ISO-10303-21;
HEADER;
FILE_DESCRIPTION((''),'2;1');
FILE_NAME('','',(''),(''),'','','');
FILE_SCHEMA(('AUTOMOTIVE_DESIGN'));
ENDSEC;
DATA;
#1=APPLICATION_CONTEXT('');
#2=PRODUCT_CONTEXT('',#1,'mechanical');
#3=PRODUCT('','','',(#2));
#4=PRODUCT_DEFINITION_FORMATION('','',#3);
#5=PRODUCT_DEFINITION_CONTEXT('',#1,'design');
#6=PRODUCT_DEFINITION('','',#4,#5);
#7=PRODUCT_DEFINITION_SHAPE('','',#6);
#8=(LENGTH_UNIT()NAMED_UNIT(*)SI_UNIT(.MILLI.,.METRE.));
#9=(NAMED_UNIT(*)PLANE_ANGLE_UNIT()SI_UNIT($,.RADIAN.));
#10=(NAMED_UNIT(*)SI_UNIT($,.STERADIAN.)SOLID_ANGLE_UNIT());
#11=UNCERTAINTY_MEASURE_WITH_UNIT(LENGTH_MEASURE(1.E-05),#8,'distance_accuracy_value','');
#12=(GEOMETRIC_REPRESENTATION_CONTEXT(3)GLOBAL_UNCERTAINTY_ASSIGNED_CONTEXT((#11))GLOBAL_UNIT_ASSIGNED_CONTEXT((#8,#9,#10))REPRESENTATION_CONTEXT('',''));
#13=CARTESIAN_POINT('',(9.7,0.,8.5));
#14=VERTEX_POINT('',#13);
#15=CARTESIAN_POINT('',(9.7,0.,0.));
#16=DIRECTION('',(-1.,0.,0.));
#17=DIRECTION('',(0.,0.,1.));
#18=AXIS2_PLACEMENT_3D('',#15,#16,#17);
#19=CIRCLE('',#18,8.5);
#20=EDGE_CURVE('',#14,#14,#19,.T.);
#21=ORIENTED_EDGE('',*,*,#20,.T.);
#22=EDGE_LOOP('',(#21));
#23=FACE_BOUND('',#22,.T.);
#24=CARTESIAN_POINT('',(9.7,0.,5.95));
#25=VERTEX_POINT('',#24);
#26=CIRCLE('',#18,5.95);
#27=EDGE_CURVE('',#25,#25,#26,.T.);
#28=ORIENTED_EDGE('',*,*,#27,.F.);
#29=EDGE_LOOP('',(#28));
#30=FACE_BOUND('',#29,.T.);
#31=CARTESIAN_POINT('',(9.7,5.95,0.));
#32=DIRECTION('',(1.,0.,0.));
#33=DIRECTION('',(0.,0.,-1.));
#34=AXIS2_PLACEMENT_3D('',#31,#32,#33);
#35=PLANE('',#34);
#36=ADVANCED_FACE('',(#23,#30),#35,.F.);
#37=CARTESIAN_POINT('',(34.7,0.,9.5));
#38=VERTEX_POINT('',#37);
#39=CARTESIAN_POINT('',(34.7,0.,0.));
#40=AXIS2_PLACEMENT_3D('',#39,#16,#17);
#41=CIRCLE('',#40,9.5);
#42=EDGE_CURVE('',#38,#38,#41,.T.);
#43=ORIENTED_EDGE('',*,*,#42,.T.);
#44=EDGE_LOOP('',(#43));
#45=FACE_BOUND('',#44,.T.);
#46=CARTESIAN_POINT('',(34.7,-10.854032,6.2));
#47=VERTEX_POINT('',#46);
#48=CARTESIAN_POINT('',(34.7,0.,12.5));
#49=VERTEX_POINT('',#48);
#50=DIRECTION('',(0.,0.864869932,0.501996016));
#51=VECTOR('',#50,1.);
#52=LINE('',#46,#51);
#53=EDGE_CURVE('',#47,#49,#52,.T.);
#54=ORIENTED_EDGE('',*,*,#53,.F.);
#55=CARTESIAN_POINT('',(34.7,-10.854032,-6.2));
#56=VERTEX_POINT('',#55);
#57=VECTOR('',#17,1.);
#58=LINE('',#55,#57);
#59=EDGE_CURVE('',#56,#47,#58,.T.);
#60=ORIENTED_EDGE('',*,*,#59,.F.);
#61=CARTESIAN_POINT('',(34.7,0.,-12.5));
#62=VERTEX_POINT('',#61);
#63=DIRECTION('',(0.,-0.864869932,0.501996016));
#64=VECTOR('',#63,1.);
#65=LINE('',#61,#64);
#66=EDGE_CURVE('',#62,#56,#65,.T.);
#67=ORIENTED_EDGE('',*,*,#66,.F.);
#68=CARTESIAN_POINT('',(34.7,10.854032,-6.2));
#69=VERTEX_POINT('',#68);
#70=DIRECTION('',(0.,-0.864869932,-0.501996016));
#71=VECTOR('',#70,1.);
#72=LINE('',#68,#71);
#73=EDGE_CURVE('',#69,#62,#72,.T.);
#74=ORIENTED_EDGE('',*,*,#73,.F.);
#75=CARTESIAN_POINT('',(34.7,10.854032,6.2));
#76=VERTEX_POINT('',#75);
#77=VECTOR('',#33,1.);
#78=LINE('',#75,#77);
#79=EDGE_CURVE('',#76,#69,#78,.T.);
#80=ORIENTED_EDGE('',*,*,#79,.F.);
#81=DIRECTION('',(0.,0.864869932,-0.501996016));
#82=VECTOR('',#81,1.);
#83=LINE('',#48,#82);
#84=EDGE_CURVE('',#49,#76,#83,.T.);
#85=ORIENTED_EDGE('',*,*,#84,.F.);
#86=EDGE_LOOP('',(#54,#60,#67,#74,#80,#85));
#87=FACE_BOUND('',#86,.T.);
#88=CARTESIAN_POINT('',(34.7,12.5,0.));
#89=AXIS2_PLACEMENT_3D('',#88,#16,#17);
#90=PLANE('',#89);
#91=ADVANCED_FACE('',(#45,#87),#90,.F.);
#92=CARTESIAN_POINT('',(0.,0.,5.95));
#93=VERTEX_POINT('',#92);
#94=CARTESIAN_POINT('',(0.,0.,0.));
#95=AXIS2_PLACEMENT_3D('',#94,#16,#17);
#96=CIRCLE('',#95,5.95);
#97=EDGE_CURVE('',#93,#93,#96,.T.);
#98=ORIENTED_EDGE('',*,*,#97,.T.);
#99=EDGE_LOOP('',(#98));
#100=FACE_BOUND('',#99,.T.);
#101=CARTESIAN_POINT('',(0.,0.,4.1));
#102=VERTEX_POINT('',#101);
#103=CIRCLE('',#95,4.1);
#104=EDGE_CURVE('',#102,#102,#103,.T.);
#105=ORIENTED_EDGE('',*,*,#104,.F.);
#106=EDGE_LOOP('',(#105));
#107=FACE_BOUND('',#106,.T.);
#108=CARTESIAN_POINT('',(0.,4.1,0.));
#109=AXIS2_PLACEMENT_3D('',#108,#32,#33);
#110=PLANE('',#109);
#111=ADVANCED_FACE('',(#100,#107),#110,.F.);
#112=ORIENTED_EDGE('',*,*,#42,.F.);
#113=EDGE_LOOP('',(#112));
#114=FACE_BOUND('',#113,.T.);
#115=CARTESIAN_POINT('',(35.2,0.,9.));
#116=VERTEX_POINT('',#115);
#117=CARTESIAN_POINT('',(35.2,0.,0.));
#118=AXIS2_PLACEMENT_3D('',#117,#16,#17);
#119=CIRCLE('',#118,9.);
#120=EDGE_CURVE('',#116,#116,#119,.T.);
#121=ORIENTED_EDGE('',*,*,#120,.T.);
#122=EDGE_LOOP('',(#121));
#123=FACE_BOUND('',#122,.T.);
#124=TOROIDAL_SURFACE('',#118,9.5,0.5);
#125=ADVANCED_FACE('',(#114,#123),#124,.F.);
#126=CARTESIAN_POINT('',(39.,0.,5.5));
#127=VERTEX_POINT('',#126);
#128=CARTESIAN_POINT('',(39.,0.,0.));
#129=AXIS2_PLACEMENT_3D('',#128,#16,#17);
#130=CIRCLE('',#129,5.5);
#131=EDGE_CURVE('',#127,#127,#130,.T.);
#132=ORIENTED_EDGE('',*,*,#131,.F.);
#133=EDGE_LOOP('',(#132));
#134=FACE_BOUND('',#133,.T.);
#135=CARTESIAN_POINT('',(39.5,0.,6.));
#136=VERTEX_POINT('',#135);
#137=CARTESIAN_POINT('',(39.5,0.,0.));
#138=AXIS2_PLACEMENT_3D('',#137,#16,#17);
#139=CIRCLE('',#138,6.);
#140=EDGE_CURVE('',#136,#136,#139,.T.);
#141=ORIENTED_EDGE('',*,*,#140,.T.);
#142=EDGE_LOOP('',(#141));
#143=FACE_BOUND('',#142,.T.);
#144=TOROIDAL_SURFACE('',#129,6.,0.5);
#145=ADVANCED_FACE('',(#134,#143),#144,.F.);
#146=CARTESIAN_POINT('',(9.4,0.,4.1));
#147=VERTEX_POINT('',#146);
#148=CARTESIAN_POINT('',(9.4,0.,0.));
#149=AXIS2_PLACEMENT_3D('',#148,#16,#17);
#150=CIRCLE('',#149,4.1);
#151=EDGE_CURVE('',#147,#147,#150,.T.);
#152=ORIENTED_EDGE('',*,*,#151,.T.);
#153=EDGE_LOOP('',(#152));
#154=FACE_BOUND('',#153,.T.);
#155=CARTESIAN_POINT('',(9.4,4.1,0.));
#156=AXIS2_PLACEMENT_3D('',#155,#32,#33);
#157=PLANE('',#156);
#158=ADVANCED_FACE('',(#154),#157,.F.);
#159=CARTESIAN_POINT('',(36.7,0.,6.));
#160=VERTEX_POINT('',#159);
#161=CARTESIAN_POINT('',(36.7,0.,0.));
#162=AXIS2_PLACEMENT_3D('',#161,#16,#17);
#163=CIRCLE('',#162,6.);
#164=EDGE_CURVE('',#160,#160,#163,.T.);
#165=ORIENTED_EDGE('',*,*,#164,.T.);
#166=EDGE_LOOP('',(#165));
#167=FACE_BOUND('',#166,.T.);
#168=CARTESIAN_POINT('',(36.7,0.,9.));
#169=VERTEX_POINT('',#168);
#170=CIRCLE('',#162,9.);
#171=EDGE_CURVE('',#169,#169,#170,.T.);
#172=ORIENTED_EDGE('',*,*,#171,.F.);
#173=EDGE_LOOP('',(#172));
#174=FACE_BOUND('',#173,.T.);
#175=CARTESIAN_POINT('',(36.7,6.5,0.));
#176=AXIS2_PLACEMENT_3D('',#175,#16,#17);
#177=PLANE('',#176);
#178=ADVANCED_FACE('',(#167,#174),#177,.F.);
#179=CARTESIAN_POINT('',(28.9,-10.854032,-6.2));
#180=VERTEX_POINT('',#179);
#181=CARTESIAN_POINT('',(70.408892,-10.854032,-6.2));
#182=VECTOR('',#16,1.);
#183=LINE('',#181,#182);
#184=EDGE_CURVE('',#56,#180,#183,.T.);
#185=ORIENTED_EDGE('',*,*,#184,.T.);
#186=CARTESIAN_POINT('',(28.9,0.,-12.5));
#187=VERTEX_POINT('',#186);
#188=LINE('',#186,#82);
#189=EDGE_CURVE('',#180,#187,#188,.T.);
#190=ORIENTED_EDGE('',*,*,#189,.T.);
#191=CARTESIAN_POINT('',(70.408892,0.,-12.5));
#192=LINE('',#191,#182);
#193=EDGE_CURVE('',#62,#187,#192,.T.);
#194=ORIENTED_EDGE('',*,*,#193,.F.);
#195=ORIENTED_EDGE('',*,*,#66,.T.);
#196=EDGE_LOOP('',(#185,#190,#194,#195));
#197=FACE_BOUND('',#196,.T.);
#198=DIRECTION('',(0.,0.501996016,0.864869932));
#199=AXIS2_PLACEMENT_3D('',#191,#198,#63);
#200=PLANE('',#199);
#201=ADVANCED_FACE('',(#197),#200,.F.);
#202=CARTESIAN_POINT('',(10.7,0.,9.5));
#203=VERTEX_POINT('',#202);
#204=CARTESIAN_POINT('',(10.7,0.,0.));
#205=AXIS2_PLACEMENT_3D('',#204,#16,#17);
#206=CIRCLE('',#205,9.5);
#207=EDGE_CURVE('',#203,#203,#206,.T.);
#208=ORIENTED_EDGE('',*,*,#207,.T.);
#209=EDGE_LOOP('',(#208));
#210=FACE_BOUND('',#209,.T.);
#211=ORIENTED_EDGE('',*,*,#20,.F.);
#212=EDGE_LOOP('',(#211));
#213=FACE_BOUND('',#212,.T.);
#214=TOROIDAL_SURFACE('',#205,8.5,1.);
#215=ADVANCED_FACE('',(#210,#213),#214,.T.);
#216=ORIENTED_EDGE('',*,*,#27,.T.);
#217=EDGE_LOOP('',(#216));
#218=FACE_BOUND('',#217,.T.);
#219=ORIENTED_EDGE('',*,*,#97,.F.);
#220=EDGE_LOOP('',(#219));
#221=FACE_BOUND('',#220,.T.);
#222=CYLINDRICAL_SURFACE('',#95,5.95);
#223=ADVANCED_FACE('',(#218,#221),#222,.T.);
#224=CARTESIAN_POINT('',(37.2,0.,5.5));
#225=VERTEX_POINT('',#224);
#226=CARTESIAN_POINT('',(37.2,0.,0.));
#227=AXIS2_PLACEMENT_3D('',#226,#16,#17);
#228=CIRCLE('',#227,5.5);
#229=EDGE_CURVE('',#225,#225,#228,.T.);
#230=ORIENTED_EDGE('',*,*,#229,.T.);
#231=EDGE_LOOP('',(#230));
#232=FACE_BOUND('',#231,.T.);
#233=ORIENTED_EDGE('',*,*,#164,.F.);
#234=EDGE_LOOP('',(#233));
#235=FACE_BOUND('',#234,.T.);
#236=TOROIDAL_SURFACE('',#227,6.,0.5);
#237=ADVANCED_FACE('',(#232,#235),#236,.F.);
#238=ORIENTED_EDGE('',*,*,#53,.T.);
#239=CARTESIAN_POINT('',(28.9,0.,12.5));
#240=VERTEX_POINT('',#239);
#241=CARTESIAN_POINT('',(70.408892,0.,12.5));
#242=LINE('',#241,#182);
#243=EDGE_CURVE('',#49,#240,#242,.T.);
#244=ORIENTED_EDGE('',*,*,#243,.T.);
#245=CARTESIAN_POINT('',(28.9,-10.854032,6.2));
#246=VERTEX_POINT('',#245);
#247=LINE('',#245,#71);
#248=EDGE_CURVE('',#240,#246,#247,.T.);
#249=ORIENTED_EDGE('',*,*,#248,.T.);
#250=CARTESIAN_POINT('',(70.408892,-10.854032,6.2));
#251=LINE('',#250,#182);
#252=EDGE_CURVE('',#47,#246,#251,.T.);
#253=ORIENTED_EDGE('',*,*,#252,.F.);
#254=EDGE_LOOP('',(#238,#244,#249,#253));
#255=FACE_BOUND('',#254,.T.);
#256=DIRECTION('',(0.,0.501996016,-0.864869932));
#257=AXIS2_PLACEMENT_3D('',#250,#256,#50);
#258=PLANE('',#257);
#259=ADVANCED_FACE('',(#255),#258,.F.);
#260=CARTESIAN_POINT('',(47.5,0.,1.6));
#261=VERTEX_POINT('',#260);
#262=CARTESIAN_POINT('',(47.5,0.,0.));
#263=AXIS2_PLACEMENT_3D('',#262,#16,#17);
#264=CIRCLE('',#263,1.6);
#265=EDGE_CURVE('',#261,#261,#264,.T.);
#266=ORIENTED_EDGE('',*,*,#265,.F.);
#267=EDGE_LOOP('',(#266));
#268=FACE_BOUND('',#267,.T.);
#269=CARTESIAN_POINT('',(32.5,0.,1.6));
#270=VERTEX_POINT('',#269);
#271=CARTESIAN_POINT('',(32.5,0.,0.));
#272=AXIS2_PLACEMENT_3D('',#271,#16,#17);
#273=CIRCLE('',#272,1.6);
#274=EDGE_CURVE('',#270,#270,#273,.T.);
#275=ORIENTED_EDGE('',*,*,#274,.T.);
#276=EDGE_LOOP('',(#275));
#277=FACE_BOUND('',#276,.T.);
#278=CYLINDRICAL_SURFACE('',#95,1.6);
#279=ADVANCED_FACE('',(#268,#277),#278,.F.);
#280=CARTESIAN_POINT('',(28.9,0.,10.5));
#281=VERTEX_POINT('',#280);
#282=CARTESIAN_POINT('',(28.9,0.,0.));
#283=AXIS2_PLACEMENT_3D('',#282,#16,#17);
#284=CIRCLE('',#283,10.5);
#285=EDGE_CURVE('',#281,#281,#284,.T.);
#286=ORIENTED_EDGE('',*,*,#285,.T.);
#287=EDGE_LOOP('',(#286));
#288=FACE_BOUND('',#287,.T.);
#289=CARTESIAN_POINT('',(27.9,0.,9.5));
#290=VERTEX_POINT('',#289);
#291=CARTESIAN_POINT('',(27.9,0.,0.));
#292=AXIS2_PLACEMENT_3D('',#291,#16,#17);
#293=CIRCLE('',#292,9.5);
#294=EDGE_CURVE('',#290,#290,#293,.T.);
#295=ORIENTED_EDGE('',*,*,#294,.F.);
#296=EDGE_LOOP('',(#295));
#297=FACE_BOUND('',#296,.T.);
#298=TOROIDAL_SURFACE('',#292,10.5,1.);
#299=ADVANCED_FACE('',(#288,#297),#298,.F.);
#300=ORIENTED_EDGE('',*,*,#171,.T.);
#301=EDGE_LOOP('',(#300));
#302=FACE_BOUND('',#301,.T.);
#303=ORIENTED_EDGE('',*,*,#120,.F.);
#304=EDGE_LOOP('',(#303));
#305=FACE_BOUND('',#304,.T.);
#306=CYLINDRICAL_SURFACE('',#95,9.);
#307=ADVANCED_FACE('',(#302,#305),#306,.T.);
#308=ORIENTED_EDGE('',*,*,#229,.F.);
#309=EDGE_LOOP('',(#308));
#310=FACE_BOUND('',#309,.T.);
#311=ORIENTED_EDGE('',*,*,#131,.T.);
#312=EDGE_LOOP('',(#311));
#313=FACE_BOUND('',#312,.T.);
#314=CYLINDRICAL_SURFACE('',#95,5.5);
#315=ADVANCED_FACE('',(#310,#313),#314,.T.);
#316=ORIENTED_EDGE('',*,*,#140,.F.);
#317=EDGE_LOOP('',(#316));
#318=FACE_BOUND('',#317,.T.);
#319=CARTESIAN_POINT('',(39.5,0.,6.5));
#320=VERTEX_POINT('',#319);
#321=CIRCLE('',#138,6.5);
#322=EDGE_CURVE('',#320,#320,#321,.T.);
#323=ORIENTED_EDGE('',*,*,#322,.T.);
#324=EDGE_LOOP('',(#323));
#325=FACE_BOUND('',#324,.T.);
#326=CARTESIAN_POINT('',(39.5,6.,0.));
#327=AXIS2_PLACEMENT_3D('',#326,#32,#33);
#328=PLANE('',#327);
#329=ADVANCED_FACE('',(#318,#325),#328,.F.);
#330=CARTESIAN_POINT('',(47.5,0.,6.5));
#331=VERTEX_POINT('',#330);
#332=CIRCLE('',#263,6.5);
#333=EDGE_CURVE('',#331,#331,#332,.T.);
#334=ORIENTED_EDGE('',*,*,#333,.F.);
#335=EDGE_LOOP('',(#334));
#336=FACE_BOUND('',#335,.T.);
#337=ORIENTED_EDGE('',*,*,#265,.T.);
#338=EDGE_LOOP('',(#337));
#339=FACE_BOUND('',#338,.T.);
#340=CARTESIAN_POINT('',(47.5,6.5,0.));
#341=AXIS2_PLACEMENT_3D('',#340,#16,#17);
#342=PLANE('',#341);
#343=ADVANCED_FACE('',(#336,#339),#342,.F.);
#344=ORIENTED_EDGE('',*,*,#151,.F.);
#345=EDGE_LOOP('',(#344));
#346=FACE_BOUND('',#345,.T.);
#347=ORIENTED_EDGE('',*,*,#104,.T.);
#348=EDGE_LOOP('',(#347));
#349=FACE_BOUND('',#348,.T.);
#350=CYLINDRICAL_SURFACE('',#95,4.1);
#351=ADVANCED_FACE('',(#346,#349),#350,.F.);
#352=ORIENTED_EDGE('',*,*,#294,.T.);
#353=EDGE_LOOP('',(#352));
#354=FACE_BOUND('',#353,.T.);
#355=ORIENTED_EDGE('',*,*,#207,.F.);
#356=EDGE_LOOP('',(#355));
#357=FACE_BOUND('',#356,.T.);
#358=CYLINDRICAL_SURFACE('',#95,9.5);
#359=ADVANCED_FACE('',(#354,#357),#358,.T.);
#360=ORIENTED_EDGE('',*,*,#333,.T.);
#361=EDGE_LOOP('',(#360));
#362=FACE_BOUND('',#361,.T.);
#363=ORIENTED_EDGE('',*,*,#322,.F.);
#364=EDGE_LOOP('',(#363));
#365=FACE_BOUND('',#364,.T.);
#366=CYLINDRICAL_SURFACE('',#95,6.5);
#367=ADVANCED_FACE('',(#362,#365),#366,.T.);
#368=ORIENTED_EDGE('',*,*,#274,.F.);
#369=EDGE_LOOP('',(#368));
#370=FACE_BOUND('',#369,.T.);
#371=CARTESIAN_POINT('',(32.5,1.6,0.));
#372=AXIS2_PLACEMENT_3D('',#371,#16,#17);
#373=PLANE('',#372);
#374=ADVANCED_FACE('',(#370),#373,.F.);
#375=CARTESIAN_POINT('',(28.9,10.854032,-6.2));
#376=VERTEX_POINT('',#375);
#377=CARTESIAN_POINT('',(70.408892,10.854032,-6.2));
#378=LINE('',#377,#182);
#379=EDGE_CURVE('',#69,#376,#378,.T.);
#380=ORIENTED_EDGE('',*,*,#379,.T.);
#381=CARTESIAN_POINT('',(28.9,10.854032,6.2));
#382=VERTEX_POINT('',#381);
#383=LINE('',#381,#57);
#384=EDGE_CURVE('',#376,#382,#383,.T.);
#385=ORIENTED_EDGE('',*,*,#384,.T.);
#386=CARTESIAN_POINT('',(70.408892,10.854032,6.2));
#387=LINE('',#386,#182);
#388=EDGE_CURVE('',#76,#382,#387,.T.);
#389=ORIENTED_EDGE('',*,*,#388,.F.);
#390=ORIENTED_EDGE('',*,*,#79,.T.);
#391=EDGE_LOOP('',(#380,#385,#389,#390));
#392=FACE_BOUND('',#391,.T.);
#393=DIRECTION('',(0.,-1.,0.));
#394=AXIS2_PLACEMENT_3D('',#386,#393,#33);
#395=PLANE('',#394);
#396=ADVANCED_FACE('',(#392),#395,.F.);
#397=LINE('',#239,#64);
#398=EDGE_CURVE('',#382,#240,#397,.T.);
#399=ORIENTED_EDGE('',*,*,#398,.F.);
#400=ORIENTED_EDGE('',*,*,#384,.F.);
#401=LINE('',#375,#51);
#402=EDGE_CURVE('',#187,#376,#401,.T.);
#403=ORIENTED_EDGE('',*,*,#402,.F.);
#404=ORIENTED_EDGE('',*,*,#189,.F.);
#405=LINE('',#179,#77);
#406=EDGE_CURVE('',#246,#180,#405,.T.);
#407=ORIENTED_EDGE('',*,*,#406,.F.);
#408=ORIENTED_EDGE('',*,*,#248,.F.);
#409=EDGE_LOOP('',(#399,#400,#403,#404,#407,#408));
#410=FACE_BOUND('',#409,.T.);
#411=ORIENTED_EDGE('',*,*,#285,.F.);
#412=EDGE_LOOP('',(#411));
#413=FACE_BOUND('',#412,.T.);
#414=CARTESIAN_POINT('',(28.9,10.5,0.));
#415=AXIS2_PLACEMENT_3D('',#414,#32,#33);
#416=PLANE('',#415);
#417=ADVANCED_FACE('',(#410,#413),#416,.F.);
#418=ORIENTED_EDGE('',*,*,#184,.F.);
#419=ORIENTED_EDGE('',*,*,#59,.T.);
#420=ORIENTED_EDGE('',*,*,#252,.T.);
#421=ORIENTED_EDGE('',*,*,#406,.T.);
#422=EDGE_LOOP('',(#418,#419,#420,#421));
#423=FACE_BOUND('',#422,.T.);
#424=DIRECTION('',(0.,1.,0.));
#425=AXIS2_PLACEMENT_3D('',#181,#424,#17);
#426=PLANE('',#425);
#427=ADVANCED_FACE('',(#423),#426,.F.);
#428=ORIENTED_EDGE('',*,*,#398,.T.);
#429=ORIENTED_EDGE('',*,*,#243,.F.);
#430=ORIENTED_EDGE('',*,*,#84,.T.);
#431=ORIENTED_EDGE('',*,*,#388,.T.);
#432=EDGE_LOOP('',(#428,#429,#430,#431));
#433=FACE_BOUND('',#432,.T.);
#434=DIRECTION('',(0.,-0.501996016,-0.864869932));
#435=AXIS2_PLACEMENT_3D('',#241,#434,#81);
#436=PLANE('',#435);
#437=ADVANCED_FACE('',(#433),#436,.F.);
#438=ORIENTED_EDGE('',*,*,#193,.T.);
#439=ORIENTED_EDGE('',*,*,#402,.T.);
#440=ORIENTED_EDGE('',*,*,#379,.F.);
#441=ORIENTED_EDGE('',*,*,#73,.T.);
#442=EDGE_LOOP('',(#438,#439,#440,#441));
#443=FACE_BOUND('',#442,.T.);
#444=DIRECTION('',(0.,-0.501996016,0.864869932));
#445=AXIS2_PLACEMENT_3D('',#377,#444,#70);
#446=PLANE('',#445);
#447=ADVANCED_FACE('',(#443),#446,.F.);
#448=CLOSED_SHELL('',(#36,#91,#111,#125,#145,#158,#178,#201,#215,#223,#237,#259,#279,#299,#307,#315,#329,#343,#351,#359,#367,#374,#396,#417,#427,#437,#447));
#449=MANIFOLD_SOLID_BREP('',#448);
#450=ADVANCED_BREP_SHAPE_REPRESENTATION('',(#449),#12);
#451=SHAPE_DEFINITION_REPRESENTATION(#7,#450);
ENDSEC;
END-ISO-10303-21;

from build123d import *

# Parameters (mm, degrees)
SKETCH2_OUTSIDE_W  = 38.842
SKETCH2_OUTSIDE_H  = 38.842
CUT_EXTRUDE1_DEPTH = 5.8


with BuildPart() as part:
    # Sketch1 → Revolve1 (revolve)
    with BuildSketch(Plane.XY):
        with BuildLine():
            Line((0, 4.1), (0, 5.95))
            Line((0, 5.95), (9.7, 5.95))
            Line((9.7, 5.95), (9.7, 8.5))
            ThreePointArc((9.7, 8.5), (9.992893219, 9.207106781), (10.7, 9.5))
            Line((10.7, 9.5), (27.9, 9.5))
            ThreePointArc((27.9, 9.5), (28.607106781, 9.792893219), (28.9, 10.5))
            Line((28.9, 10.5), (28.9, 12.5))
            Line((28.9, 12.5), (34.7, 12.5))
            Line((34.7, 12.5), (34.7, 9.5))
            ThreePointArc((34.7, 9.5), (34.846446609, 9.146446609), (35.2, 9))
            Line((35.2, 9), (36.7, 9))
            Line((36.7, 9), (36.7, 6.5))
            Line((36.7, 6.5), (36.7, 6))
            ThreePointArc((36.7, 6), (36.846446609, 5.646446609), (37.2, 5.5))
            Line((37.2, 5.5), (39, 5.5))
            ThreePointArc((39, 5.5), (39.353553391, 5.646446609), (39.5, 6))
            Line((39.5, 6), (39.5, 6.5))
            Line((39.5, 6.5), (47.5, 6.5))
            Line((47.5, 6.5), (47.5, 1.6))
            Line((47.5, 1.6), (32.5, 1.6))
            Line((32.5, 1.6), (32.5, 0))
            Line((32.5, 0), (9.4, 0))
            Line((9.4, 0), (9.4, 4.1))
            Line((9.4, 4.1), (0, 4.1))
        make_face()
    revolve(axis=Axis((0, 0, 0), (1, 0, 0)))

    # Sketch2 outside → Cut-Extrude1 (cut)
    with BuildSketch(Plane(origin=(28.9, 0, 0), x_dir=(0, 0, -1), z_dir=(1, 0, 0))):
        Rectangle(SKETCH2_OUTSIDE_W, SKETCH2_OUTSIDE_H)
        Polygon((6.2, 10.854031509), (12.5, 0), (6.2, -10.854031509), (-6.2, -10.854031509), (-12.5, 0), (-6.2, 10.854031509), align=None, mode=Mode.SUBTRACT)
    extrude(amount=CUT_EXTRUDE1_DEPTH, mode=Mode.SUBTRACT)


solid = part.part
